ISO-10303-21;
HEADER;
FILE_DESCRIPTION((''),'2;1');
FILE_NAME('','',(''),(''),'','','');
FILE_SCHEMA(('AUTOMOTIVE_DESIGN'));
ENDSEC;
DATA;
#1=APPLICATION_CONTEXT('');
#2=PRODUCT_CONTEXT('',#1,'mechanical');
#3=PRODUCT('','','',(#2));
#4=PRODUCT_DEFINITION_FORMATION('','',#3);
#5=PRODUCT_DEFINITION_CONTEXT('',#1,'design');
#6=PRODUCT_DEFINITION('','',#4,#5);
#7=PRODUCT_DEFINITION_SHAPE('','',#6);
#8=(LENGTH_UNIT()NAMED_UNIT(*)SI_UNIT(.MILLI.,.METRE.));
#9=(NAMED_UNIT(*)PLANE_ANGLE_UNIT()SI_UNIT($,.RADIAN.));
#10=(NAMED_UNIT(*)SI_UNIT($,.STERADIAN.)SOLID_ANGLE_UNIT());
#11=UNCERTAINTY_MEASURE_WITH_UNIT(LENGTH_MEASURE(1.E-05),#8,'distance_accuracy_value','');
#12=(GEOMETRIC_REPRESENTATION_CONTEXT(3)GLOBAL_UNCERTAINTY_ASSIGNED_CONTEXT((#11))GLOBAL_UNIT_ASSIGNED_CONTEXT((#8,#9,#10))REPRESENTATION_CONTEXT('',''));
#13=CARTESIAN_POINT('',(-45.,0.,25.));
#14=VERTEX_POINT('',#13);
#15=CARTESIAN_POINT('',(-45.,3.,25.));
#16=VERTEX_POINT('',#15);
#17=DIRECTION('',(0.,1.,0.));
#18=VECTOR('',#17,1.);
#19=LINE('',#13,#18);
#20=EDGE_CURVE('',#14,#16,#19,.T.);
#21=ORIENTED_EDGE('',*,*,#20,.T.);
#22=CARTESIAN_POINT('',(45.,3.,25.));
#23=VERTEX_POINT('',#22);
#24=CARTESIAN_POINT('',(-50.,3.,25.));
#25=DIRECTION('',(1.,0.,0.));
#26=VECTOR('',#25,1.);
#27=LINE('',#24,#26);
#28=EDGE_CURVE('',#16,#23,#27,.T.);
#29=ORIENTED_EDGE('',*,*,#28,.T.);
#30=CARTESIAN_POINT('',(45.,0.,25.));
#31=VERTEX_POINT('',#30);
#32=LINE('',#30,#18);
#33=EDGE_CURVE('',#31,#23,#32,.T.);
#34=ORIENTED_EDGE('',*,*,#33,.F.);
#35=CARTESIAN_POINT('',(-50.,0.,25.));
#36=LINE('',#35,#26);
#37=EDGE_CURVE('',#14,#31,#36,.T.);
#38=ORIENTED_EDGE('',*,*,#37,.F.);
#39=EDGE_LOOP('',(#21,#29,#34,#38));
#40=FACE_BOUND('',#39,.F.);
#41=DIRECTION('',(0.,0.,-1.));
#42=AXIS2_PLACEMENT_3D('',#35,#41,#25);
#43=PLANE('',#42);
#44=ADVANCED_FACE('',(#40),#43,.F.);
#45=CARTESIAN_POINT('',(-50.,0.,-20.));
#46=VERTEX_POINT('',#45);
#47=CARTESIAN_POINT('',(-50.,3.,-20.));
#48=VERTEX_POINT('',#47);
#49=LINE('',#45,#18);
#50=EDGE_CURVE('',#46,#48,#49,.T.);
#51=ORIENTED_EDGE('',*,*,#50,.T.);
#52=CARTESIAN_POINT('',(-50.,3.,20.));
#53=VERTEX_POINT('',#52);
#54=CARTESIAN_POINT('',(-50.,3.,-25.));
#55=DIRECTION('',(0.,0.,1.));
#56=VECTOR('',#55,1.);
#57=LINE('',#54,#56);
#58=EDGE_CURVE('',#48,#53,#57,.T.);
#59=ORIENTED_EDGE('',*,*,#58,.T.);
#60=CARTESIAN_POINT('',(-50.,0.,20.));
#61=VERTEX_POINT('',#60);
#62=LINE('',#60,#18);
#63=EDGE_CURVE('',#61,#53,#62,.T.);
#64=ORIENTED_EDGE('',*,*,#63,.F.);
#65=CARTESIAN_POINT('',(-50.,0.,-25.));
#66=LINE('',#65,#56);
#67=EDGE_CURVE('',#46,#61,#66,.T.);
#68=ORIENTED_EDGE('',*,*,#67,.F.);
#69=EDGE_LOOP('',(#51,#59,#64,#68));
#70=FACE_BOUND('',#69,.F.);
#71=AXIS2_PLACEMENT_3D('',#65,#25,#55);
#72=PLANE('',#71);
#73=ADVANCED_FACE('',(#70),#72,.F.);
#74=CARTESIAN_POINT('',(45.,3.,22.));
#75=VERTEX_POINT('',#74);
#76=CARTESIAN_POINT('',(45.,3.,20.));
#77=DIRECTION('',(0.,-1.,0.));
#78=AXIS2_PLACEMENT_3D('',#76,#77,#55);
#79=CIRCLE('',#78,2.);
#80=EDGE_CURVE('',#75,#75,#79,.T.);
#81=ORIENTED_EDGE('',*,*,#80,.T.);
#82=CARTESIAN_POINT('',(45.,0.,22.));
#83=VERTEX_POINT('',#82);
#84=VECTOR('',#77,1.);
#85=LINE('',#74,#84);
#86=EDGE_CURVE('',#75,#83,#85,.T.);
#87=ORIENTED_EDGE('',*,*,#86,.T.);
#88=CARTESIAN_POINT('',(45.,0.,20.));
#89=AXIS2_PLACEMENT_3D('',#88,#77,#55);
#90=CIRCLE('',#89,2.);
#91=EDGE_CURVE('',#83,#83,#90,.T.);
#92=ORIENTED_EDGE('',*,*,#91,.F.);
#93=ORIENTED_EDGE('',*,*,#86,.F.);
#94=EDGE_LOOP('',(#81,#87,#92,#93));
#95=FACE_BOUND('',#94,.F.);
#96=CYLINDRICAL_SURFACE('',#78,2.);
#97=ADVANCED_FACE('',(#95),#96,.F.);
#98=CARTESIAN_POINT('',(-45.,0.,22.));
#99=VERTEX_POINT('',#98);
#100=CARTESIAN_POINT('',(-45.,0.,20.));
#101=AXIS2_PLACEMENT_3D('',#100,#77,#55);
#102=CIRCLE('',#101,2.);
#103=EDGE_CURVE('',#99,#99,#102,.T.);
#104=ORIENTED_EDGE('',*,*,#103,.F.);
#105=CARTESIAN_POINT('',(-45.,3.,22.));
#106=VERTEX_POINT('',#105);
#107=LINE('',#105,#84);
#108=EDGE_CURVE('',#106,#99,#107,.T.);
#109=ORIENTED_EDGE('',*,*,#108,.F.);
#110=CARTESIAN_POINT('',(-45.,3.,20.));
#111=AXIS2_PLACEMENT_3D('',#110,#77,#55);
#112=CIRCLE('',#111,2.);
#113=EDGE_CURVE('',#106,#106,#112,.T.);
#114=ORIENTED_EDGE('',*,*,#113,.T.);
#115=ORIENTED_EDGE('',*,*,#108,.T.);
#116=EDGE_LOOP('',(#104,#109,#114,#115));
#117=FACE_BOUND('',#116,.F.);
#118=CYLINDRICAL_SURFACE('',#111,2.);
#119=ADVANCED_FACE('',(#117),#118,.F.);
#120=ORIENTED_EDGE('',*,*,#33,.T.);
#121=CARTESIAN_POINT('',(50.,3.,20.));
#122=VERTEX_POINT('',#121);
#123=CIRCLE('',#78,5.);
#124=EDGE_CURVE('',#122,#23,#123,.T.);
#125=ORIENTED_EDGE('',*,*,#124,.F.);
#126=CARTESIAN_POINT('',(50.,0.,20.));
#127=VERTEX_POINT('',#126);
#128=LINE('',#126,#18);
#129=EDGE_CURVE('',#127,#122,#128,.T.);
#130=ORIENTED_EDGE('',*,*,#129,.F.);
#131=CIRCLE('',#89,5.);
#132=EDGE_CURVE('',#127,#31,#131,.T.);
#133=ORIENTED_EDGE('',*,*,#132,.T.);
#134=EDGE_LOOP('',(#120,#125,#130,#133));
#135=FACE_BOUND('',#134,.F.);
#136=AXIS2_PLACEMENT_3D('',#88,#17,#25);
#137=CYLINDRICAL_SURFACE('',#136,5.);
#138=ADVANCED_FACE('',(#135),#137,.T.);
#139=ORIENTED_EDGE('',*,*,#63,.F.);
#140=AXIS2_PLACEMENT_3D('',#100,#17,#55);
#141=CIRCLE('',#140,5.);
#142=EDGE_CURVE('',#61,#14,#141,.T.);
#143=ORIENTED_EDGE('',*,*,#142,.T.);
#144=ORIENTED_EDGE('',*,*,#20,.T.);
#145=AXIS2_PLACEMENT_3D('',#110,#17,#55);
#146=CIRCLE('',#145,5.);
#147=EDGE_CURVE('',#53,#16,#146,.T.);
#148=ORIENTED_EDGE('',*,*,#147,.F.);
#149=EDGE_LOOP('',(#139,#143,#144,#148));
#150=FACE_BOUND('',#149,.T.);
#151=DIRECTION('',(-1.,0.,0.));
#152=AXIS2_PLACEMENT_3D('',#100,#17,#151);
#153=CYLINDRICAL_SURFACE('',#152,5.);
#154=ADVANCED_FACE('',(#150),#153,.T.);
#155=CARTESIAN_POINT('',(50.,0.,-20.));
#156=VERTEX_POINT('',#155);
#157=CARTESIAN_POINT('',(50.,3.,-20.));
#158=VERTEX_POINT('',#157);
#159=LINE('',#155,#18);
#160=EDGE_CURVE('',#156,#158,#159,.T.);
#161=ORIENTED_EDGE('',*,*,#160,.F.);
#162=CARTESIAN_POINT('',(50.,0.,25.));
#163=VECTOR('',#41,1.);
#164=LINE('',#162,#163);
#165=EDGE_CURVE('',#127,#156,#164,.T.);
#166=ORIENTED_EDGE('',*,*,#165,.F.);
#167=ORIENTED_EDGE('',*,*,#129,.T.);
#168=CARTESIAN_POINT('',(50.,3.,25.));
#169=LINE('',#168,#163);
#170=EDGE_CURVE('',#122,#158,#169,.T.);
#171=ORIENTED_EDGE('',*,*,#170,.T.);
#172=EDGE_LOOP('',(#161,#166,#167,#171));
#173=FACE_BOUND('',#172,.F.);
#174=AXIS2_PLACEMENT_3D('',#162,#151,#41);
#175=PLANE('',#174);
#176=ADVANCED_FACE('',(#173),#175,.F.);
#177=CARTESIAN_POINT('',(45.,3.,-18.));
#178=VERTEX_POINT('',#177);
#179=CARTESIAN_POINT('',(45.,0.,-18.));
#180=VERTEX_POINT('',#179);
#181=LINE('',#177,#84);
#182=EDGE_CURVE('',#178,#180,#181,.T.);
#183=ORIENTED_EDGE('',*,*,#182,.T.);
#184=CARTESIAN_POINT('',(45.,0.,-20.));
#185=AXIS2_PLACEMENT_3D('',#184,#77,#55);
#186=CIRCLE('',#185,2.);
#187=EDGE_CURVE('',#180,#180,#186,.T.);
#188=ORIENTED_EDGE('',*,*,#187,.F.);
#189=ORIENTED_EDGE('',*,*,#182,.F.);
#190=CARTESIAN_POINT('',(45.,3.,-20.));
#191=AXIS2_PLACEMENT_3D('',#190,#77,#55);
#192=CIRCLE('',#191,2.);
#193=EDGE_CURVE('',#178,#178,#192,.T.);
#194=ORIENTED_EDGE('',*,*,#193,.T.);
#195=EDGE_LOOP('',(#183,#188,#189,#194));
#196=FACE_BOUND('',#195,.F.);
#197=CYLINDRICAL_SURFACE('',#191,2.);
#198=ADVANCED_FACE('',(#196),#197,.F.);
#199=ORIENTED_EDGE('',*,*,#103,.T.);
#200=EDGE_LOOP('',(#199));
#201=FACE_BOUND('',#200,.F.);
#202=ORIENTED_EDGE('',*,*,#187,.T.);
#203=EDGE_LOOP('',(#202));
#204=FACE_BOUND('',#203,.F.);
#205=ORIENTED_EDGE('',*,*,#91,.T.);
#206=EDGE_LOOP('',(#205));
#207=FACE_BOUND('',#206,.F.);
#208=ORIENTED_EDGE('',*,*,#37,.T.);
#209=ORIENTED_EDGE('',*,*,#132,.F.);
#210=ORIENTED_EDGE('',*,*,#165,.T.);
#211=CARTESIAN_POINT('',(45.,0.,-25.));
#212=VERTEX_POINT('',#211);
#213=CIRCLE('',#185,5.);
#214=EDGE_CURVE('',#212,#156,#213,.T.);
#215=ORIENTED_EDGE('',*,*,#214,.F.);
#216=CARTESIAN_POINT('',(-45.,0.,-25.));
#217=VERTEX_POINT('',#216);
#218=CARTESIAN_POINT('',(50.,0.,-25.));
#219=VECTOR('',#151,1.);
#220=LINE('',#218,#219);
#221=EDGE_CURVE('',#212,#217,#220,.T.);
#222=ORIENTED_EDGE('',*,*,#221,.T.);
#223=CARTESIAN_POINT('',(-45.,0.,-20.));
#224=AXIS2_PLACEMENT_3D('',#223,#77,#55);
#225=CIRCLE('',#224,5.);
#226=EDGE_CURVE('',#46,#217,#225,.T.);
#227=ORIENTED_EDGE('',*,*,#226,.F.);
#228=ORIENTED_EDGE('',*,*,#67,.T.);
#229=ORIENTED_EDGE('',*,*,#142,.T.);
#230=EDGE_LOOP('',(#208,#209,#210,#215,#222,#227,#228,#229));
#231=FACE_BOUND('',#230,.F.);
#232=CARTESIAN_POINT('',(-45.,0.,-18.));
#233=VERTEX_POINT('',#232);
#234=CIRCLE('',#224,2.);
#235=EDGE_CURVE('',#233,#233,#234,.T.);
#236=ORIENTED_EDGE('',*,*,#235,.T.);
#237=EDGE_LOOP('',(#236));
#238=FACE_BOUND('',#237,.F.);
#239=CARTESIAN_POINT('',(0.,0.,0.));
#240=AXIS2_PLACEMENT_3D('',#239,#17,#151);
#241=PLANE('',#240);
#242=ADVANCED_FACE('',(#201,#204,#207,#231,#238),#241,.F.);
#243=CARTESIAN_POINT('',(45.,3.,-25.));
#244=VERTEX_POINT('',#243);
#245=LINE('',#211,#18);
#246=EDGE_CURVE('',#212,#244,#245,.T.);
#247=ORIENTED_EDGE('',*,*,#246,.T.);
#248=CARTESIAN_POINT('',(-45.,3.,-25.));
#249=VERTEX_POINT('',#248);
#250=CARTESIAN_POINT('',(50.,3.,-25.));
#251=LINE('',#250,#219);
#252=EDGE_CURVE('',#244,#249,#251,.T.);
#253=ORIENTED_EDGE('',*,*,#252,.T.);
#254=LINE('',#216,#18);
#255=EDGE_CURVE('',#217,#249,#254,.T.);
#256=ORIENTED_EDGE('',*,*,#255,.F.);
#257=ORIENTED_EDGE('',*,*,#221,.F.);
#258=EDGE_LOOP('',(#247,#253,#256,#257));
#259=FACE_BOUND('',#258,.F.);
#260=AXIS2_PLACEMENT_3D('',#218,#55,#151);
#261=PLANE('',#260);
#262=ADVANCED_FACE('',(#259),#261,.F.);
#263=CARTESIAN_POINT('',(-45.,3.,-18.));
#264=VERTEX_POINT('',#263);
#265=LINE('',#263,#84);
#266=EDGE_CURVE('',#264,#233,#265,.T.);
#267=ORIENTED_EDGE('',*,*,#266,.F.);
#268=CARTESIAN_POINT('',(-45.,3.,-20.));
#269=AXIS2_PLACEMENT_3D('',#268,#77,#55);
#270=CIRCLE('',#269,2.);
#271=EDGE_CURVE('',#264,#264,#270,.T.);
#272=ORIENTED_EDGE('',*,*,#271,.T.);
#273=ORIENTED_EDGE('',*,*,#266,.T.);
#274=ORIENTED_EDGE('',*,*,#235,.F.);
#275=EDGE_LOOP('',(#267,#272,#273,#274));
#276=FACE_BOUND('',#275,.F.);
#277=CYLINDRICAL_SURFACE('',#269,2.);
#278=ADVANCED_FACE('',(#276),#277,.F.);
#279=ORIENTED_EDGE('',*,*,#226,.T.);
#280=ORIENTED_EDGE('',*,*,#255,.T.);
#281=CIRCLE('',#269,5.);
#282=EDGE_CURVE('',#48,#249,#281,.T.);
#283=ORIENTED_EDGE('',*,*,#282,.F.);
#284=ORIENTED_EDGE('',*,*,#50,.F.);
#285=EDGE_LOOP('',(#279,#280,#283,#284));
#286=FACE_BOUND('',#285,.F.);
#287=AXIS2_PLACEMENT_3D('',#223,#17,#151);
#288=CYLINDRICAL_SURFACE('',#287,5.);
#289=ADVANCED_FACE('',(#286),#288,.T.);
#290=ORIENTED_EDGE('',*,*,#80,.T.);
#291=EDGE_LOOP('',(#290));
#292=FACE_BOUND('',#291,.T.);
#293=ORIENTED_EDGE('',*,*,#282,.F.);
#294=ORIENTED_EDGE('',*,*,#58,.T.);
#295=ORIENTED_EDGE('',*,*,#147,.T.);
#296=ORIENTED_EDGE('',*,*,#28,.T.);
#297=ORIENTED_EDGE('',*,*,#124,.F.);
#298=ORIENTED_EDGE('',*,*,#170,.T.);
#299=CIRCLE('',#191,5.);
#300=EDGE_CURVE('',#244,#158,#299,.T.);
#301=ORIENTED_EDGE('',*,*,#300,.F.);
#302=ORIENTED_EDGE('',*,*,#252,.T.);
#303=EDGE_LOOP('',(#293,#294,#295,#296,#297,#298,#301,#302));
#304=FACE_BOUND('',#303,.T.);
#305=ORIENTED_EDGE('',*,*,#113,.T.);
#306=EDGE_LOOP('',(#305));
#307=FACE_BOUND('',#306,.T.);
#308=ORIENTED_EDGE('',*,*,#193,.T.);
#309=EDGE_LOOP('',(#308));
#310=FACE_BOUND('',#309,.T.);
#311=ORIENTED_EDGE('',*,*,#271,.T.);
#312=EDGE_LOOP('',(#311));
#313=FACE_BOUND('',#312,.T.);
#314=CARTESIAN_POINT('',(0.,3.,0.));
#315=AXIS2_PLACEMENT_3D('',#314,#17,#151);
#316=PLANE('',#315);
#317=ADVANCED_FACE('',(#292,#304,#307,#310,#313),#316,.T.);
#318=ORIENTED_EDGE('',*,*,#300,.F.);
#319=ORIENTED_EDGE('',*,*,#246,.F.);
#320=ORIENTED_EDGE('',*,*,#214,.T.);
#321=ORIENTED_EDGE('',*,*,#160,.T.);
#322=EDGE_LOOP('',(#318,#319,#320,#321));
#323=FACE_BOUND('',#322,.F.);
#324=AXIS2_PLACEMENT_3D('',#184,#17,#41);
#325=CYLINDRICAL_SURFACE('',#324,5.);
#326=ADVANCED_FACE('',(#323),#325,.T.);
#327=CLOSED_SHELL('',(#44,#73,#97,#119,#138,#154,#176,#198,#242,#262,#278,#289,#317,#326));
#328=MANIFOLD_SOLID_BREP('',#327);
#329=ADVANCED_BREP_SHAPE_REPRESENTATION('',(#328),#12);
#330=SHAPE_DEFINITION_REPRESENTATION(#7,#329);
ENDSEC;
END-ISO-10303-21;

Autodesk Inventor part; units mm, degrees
ref_plane "YZ Plane" through (0, 0, 0) normal (1, 0, 0) x (0, 1, 0)
ref_plane "XZ Plane" through (0, 0, 0) normal (0, 1, 0) x (-1, 0, 0)
ref_plane "XY Plane" through (0, 0, 0) normal (0, 0, 1) x (1, 0, 0)
sketch "Sketch1" plane through (0, 0, 0) normal (0, 1, 0) x (-1, 0, 0)
  line L0 (50, 25) -> (-50, 25)
  line L1 (-50, 25) -> (-50, -25)
  line L2 (-50, -25) -> (50, -25)
  line L3 (50, -25) -> (50, 25)
  line L4 (50, 25) -> (-50, -25) construction
  line L5 (-50, 25) -> (50, -25) construction
  point P0 (0, 0)
  dimension "d0" = 100
  dimension "d1" = 50
extrude "Extrusion1" add sketch "Sketch1" along normal blind 3
fillet "Fillet1" radius 5 4 edges at (50, 1.5, 25) (50, 1.5, -25) (-50, 1.5, -25) (-50, 1.5, 25)
sketch "Sketch2" plane through (0, 3, 0) normal (0, 1, 0) x (1, 0, 0)
  arc A0 (-50, -20) -> (-45, -25) centre (-45, -20) ccw projected
  arc A1 (45, -25) -> (50, -20) centre (45, -20) ccw projected
  arc A2 (50, 20) -> (45, 25) centre (45, 20) ccw projected
  arc A3 (-45, 25) -> (-50, 20) centre (-45, 20) ccw projected
  point P0 (0, 0)
hole "Hole1" at (-45, 3, -20) at (-45, 3, 20) at (45, 3, 20) at (45, 3, -20) direction (0, -1, 0) diameter 4 end through all
properties part number "AcrylicLowerBottom" material "Acrylic, Clear"
